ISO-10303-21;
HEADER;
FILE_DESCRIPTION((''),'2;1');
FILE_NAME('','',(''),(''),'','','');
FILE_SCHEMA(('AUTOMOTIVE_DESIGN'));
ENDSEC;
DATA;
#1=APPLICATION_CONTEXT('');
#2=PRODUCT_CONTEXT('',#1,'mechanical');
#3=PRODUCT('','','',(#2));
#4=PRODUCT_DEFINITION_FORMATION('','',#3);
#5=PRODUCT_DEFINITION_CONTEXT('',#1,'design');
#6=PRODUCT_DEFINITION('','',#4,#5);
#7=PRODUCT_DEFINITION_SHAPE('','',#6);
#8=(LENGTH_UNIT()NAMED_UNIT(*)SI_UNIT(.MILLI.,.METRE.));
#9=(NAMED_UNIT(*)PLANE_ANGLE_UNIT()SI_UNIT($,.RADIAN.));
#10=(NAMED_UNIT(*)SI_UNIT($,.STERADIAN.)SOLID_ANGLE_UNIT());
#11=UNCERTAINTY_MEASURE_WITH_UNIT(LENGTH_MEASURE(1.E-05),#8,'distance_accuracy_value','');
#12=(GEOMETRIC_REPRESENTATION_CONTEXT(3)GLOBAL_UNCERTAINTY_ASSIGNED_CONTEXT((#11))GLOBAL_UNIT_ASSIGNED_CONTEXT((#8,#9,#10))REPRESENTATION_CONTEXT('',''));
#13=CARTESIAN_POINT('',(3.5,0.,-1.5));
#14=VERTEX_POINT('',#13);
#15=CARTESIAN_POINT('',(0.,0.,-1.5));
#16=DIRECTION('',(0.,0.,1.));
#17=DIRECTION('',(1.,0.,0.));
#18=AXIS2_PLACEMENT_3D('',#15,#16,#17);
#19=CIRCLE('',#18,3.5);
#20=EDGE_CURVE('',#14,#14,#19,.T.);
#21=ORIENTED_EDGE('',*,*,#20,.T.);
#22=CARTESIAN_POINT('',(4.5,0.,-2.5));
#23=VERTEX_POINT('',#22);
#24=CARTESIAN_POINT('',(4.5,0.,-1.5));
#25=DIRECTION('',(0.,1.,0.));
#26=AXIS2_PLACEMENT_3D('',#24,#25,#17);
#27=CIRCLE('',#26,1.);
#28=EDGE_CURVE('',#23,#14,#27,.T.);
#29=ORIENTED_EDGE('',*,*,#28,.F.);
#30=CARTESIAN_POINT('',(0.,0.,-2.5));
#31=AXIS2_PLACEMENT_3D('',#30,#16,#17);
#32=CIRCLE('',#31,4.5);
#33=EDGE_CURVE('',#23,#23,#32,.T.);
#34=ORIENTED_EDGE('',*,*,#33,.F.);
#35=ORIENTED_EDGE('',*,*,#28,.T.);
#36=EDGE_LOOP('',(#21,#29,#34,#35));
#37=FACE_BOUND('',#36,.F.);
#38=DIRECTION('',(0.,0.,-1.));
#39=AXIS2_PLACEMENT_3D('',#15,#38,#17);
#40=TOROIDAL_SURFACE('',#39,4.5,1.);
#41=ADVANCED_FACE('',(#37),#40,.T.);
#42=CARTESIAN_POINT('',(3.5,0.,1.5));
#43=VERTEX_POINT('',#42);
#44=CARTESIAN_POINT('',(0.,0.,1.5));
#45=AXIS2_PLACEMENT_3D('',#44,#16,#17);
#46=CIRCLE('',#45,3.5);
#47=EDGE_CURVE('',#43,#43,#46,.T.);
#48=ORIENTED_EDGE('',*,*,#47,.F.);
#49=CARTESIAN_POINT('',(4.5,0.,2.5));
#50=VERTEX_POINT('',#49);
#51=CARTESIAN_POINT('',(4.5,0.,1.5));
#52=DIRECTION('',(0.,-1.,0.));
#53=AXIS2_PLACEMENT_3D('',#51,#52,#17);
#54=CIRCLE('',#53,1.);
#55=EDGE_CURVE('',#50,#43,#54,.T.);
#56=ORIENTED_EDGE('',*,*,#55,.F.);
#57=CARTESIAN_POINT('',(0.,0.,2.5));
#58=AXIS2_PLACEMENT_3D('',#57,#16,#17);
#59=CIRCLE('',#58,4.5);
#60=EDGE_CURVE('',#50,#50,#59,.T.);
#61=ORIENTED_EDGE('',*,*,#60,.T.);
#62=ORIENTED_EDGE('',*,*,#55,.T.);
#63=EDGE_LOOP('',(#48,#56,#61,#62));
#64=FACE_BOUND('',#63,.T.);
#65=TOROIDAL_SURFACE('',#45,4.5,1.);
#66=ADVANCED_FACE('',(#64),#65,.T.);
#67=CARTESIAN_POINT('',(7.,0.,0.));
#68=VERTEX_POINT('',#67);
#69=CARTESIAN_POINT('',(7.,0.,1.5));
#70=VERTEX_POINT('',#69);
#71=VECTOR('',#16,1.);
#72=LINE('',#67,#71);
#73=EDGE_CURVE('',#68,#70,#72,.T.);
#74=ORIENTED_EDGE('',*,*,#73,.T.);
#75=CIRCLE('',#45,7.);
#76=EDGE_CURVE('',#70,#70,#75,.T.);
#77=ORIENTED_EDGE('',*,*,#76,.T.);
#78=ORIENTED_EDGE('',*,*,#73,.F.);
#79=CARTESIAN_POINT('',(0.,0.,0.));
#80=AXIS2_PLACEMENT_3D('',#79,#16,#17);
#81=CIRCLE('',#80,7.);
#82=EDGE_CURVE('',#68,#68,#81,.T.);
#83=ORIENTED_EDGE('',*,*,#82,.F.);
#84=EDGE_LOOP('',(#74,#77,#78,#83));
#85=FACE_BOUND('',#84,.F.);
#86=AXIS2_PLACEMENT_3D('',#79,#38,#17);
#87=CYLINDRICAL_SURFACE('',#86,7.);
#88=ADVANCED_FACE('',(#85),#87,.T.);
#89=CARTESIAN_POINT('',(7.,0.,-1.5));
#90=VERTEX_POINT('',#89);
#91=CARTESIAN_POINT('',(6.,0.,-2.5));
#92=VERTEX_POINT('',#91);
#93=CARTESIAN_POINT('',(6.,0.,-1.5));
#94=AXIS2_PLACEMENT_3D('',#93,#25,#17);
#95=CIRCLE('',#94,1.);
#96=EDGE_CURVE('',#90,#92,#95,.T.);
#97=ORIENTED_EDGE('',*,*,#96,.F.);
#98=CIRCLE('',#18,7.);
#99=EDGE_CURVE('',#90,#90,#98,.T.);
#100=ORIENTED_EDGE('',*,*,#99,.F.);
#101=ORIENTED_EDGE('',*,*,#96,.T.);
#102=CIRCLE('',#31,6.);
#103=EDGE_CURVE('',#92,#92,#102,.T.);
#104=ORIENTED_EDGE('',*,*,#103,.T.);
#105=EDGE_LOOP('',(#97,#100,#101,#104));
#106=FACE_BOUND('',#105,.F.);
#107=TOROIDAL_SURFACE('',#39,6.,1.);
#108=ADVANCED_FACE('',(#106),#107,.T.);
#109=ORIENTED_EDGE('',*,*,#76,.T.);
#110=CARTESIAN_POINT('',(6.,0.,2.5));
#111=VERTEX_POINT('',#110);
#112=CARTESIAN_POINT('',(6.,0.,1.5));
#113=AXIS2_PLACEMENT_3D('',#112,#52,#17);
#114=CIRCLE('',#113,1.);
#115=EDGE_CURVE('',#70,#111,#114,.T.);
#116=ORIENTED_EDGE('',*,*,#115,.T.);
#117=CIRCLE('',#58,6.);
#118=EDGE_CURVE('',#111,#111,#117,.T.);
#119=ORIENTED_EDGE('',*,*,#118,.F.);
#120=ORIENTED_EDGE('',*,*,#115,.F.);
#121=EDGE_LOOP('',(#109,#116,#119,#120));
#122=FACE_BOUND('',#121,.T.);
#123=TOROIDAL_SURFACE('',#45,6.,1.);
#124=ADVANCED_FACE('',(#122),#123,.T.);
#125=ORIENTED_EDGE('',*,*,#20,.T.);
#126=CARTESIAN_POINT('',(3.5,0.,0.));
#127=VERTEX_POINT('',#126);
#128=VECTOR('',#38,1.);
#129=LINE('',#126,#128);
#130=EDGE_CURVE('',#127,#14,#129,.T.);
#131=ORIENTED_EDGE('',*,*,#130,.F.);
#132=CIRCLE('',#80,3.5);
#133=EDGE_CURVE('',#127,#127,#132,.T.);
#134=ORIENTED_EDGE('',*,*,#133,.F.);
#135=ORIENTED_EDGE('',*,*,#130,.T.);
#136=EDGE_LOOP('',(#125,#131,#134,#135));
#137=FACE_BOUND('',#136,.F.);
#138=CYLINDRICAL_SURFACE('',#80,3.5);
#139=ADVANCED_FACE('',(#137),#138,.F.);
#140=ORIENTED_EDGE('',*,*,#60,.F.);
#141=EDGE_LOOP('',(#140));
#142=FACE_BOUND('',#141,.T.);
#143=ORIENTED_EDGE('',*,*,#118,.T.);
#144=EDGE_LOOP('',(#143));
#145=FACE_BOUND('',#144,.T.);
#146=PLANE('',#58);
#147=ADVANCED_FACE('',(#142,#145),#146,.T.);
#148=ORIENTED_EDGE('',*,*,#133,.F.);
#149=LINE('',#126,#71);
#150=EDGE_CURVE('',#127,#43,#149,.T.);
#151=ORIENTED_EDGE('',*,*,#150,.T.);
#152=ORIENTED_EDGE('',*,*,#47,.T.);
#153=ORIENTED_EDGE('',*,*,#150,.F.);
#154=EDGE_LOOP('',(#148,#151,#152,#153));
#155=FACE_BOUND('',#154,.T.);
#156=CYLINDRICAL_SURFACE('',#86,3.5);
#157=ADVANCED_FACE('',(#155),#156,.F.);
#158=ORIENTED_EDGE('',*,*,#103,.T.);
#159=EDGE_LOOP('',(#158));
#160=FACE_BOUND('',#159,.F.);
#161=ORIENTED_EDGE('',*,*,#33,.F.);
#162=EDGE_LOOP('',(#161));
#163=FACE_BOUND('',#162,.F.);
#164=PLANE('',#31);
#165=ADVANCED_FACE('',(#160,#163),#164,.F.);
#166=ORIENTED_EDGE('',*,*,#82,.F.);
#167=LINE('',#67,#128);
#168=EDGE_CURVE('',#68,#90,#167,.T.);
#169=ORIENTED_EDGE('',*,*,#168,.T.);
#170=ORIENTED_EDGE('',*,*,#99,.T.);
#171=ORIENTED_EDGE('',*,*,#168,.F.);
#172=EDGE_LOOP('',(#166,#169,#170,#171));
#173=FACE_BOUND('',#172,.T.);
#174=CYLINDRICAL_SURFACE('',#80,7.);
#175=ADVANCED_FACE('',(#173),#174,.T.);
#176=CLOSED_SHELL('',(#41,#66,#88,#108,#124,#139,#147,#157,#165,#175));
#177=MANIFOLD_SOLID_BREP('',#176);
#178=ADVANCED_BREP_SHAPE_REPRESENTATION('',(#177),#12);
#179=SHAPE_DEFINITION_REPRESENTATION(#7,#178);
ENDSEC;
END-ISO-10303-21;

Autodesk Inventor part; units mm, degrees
sketch "Skizze1" plane through (0, 0, 0) normal (0, 0, 1) x (1, 0, 0)
  circle A0 centre (0, 0) radius 7
  circle A1 centre (0, 0) radius 3.5
  dimension "d0" = 14
  dimension "d1" = 7
extrude "Extrusion1" add sketch "Skizze1" along normal mid plane 5
fillet "Rundung1" radius 1 4 edges at (-7, 0, 2.5) (-7, 0, -2.5) (-3.5, 0, 2.5) (-3.5, 0, -2.5)
properties part number "KugelLager"
